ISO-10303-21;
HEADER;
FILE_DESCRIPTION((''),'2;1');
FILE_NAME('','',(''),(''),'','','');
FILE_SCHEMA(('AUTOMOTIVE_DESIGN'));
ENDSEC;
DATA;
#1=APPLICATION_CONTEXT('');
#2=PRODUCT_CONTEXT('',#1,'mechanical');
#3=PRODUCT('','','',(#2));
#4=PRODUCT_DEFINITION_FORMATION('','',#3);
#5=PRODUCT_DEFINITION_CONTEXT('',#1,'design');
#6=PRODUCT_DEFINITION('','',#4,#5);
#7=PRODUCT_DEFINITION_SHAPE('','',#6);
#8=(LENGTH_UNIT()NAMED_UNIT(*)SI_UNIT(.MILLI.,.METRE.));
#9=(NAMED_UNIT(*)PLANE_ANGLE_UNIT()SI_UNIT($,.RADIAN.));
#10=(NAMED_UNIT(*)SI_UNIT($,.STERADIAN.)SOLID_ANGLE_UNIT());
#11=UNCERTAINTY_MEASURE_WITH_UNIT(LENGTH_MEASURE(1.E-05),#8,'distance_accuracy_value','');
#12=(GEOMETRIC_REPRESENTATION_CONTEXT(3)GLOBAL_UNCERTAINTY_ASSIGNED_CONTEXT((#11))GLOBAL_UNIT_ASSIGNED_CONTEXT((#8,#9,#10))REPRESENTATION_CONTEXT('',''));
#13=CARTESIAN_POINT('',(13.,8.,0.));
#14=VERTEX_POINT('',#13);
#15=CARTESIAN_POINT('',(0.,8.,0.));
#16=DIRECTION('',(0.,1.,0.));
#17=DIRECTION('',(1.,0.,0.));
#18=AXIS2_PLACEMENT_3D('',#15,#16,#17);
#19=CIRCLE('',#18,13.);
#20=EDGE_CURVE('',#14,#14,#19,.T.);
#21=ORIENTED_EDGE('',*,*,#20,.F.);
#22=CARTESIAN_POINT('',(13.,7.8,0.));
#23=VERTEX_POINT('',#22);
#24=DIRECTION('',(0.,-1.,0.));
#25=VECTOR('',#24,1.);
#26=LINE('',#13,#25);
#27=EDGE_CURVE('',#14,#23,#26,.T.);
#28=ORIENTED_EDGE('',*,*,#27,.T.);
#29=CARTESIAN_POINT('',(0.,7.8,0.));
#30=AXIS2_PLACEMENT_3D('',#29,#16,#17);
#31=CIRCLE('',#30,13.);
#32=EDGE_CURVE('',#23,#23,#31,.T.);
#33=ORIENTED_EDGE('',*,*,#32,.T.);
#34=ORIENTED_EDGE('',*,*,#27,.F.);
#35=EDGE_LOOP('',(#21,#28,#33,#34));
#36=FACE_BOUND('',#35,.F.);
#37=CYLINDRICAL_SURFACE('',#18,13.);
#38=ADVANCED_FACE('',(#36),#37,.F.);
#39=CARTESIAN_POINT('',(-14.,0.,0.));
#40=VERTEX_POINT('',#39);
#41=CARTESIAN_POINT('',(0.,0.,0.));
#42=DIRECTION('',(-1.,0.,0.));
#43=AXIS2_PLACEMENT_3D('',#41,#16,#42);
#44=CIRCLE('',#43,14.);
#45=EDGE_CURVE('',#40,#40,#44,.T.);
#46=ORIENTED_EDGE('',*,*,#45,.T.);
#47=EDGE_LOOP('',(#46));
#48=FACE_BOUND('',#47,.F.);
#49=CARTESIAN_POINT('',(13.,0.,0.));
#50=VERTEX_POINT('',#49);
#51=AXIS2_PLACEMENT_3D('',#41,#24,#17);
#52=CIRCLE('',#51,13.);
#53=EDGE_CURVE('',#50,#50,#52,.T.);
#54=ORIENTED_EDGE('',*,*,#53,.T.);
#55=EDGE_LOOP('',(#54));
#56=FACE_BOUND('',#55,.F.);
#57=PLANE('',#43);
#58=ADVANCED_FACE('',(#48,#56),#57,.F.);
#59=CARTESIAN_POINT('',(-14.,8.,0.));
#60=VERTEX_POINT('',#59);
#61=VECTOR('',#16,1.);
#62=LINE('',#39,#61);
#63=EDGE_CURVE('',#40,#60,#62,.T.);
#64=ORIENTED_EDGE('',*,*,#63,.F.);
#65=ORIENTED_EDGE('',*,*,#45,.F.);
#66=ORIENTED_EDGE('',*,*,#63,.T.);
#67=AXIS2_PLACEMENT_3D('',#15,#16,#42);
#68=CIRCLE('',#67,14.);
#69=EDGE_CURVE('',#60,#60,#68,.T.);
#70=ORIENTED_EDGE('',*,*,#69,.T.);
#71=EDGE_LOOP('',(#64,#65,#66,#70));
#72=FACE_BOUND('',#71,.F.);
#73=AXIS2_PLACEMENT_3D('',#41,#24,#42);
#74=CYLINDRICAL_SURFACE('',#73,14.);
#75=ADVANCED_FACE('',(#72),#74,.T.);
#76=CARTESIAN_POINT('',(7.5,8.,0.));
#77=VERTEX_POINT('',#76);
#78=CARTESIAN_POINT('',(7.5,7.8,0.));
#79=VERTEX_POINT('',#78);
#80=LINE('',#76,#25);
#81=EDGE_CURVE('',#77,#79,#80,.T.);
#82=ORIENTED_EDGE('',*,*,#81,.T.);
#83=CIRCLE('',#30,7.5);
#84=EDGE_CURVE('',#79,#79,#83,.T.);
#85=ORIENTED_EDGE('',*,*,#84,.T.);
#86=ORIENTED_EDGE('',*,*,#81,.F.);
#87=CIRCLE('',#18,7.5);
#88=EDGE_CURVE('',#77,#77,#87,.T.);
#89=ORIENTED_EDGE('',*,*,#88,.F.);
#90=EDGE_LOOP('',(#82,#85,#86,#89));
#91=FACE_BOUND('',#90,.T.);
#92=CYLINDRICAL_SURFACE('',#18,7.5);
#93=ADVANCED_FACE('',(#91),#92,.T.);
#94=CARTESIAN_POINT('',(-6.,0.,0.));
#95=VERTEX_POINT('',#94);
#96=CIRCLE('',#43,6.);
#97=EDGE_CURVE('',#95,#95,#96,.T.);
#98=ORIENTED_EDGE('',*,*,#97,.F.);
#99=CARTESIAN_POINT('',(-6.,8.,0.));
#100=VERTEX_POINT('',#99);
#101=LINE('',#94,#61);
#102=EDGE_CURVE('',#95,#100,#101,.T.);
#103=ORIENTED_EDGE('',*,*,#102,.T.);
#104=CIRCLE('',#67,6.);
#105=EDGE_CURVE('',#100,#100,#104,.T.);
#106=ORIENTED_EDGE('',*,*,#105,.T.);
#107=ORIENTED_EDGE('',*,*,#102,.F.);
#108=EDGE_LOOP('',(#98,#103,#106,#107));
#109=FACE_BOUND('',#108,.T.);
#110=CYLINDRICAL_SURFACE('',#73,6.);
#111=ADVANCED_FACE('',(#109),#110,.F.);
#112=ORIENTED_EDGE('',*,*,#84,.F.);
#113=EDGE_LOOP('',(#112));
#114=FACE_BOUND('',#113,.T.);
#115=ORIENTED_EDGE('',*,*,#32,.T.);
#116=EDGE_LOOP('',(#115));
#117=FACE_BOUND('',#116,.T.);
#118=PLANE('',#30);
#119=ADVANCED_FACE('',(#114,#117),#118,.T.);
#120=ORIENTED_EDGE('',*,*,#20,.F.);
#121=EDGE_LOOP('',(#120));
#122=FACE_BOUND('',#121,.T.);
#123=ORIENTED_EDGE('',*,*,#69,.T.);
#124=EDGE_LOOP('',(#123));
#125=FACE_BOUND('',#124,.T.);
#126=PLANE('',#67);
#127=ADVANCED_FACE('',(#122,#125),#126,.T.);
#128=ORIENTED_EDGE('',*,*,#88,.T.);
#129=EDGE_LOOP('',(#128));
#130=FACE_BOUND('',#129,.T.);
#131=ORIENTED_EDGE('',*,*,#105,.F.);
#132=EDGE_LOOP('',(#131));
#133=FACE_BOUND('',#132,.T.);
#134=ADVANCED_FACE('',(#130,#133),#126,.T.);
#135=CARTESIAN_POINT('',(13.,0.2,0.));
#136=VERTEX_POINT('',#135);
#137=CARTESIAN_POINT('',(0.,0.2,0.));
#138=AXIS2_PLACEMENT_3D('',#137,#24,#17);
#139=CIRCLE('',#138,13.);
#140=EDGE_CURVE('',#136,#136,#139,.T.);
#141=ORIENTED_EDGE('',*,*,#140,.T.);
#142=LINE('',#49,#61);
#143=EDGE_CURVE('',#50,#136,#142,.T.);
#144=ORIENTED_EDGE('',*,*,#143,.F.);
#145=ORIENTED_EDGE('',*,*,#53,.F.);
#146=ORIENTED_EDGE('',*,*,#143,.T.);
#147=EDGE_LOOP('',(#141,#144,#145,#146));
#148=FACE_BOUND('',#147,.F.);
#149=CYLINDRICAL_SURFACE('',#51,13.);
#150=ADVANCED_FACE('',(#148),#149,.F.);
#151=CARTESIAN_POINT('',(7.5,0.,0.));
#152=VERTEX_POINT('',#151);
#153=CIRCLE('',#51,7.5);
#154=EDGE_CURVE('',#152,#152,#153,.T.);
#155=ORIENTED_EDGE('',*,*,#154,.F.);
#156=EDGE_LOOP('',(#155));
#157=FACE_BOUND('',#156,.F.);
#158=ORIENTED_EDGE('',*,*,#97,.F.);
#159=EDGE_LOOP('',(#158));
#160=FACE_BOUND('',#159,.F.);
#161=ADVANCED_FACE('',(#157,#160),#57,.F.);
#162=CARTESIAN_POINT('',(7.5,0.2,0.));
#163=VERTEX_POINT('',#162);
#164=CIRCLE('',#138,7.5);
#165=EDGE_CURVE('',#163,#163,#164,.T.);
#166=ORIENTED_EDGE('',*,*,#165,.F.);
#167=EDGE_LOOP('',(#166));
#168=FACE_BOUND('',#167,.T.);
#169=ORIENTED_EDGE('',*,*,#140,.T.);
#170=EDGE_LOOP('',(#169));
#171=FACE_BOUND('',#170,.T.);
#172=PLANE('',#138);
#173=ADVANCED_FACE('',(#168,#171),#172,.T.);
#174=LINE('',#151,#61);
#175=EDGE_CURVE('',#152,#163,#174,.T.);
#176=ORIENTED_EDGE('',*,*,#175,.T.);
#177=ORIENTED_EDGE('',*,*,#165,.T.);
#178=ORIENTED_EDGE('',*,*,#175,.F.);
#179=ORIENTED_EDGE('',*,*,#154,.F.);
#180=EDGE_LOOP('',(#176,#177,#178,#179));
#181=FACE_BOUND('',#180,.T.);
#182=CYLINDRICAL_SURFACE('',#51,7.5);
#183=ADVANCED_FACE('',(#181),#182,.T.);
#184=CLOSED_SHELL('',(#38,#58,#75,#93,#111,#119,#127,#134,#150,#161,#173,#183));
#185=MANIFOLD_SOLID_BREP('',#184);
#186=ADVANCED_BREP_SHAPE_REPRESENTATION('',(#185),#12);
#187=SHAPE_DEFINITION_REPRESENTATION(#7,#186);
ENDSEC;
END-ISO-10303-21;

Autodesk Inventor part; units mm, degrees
ref_plane "YZ Plane" through (0, 0, 0) normal (1, 0, 0) x (0, 1, 0)
ref_plane "XZ Plane" through (0, 0, 0) normal (0, 1, 0) x (-1, 0, 0)
ref_plane "XY Plane" through (0, 0, 0) normal (0, 0, 1) x (1, 0, 0)
sketch "スケッチ1" plane through (0, 0, 0) normal (0, 1, 0) x (-1, 0, 0)
  circle A0 centre (0, 0) radius 6
  circle A1 centre (0, 0) radius 14
  dimension "d0" = 12
  dimension "d1" = 28
extrude "押し出し1" add sketch "スケッチ1" along normal blind 8
sketch "スケッチ2" plane through (0, 0, 0) normal (0, -1, 0) x (1, 0, 0)
  circle A0 centre (0, 0) radius 7.5
  circle A1 centre (0, 0) radius 13
  dimension "d4" = 15
  dimension "d5" = 26
extrude "押し出し2" cut sketch "スケッチ2" against normal blind 0.2
sketch "スケッチ3" plane through (0, 8, 0) normal (0, 1, 0) x (1, 0, 0)
  circle A0 centre (0, 0) radius 7.5
  circle A1 centre (0, 0) radius 13
  dimension "d8" = 15
  dimension "d9" = 26
extrude "押し出し3" cut sketch "スケッチ3" against normal blind 0.2
properties part number "Bearing_6001Z" material "ステンレス鋼"
